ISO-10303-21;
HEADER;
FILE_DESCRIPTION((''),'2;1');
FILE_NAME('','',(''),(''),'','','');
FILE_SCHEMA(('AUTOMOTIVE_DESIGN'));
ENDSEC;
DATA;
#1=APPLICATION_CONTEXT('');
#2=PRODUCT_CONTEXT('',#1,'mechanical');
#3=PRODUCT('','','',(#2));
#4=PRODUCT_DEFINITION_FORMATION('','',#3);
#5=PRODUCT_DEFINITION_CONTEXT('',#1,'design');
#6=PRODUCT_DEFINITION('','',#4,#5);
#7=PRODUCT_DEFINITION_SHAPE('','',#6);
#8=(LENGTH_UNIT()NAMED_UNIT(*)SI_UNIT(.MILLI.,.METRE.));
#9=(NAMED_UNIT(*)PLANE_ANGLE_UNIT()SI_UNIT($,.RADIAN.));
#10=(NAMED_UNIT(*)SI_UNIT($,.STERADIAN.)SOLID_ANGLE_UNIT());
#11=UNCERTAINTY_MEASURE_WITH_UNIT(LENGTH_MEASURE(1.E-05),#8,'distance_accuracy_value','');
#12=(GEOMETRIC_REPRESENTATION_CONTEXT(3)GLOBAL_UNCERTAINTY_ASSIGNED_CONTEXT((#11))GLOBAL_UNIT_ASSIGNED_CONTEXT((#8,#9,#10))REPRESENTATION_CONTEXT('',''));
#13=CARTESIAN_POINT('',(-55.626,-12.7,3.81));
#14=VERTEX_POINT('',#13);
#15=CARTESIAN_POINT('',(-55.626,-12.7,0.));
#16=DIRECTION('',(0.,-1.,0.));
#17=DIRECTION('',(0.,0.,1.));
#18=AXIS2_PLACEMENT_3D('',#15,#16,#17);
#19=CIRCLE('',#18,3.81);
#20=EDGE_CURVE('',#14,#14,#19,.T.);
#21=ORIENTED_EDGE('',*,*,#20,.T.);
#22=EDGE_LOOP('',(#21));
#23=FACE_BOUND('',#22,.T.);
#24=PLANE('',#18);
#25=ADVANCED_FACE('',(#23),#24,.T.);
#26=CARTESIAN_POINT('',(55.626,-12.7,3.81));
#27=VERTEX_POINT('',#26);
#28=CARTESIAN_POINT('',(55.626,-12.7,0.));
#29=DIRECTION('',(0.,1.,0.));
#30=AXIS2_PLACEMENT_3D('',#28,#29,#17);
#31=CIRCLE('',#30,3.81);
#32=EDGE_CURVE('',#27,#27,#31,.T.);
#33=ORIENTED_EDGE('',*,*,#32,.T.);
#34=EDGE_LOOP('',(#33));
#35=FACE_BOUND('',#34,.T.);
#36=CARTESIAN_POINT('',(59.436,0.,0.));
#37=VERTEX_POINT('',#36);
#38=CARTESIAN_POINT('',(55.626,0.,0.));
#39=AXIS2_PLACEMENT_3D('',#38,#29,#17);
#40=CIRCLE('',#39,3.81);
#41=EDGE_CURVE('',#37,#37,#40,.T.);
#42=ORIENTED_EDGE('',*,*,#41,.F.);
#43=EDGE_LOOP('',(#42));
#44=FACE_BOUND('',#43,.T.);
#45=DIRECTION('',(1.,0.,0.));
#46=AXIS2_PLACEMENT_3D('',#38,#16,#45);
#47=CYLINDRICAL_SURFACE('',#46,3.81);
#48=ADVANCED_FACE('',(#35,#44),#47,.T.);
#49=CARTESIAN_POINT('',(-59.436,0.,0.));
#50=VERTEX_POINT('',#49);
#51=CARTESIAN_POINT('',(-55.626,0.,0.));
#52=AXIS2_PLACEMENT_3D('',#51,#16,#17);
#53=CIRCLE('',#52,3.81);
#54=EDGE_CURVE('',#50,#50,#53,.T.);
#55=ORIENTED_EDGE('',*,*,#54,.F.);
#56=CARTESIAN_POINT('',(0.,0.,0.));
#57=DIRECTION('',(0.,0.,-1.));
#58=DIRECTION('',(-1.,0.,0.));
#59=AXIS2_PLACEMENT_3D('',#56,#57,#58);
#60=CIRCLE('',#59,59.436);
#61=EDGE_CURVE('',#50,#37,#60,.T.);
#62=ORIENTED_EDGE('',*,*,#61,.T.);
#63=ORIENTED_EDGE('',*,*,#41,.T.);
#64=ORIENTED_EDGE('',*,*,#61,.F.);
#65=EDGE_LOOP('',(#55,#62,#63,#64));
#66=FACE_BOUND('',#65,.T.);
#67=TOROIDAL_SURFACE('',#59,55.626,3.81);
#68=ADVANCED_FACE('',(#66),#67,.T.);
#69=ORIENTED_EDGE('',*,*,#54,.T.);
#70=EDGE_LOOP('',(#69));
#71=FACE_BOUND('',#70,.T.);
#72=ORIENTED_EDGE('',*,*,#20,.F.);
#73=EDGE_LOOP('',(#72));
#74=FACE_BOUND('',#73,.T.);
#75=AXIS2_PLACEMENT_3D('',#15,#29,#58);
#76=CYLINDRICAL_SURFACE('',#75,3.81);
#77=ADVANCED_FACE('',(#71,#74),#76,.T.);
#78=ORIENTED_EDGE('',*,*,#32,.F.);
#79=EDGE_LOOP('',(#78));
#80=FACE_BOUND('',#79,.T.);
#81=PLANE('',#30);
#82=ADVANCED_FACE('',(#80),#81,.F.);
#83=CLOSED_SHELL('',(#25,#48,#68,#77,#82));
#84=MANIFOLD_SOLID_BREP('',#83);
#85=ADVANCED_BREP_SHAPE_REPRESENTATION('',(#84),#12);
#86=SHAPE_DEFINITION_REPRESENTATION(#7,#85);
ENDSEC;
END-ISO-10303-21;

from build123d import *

# Parameters (mm, degrees)
SWEEP1_PROFILE_R = 3.81


with BuildPart() as part:
    # Sweep1: sweep along a path in Sketch2
    with BuildLine(Plane.XY) as sweep1_path:
        Line((-55.626, -12.7), (-55.626, 0))
        ThreePointArc((-55.626, 0), (0, 55.626), (55.626, 0))
        Line((55.626, 0), (55.626, -12.7))
    # Sweep1 profile (on start of the path) → Sweep1 (sweep)
    with BuildSketch(Plane(origin=(-55.626, -12.7, 0), x_dir=(1, 0, 0), z_dir=(0, 1, 0))):
        Circle(SWEEP1_PROFILE_R)
    sweep(path=sweep1_path.line)


solid = part.part
